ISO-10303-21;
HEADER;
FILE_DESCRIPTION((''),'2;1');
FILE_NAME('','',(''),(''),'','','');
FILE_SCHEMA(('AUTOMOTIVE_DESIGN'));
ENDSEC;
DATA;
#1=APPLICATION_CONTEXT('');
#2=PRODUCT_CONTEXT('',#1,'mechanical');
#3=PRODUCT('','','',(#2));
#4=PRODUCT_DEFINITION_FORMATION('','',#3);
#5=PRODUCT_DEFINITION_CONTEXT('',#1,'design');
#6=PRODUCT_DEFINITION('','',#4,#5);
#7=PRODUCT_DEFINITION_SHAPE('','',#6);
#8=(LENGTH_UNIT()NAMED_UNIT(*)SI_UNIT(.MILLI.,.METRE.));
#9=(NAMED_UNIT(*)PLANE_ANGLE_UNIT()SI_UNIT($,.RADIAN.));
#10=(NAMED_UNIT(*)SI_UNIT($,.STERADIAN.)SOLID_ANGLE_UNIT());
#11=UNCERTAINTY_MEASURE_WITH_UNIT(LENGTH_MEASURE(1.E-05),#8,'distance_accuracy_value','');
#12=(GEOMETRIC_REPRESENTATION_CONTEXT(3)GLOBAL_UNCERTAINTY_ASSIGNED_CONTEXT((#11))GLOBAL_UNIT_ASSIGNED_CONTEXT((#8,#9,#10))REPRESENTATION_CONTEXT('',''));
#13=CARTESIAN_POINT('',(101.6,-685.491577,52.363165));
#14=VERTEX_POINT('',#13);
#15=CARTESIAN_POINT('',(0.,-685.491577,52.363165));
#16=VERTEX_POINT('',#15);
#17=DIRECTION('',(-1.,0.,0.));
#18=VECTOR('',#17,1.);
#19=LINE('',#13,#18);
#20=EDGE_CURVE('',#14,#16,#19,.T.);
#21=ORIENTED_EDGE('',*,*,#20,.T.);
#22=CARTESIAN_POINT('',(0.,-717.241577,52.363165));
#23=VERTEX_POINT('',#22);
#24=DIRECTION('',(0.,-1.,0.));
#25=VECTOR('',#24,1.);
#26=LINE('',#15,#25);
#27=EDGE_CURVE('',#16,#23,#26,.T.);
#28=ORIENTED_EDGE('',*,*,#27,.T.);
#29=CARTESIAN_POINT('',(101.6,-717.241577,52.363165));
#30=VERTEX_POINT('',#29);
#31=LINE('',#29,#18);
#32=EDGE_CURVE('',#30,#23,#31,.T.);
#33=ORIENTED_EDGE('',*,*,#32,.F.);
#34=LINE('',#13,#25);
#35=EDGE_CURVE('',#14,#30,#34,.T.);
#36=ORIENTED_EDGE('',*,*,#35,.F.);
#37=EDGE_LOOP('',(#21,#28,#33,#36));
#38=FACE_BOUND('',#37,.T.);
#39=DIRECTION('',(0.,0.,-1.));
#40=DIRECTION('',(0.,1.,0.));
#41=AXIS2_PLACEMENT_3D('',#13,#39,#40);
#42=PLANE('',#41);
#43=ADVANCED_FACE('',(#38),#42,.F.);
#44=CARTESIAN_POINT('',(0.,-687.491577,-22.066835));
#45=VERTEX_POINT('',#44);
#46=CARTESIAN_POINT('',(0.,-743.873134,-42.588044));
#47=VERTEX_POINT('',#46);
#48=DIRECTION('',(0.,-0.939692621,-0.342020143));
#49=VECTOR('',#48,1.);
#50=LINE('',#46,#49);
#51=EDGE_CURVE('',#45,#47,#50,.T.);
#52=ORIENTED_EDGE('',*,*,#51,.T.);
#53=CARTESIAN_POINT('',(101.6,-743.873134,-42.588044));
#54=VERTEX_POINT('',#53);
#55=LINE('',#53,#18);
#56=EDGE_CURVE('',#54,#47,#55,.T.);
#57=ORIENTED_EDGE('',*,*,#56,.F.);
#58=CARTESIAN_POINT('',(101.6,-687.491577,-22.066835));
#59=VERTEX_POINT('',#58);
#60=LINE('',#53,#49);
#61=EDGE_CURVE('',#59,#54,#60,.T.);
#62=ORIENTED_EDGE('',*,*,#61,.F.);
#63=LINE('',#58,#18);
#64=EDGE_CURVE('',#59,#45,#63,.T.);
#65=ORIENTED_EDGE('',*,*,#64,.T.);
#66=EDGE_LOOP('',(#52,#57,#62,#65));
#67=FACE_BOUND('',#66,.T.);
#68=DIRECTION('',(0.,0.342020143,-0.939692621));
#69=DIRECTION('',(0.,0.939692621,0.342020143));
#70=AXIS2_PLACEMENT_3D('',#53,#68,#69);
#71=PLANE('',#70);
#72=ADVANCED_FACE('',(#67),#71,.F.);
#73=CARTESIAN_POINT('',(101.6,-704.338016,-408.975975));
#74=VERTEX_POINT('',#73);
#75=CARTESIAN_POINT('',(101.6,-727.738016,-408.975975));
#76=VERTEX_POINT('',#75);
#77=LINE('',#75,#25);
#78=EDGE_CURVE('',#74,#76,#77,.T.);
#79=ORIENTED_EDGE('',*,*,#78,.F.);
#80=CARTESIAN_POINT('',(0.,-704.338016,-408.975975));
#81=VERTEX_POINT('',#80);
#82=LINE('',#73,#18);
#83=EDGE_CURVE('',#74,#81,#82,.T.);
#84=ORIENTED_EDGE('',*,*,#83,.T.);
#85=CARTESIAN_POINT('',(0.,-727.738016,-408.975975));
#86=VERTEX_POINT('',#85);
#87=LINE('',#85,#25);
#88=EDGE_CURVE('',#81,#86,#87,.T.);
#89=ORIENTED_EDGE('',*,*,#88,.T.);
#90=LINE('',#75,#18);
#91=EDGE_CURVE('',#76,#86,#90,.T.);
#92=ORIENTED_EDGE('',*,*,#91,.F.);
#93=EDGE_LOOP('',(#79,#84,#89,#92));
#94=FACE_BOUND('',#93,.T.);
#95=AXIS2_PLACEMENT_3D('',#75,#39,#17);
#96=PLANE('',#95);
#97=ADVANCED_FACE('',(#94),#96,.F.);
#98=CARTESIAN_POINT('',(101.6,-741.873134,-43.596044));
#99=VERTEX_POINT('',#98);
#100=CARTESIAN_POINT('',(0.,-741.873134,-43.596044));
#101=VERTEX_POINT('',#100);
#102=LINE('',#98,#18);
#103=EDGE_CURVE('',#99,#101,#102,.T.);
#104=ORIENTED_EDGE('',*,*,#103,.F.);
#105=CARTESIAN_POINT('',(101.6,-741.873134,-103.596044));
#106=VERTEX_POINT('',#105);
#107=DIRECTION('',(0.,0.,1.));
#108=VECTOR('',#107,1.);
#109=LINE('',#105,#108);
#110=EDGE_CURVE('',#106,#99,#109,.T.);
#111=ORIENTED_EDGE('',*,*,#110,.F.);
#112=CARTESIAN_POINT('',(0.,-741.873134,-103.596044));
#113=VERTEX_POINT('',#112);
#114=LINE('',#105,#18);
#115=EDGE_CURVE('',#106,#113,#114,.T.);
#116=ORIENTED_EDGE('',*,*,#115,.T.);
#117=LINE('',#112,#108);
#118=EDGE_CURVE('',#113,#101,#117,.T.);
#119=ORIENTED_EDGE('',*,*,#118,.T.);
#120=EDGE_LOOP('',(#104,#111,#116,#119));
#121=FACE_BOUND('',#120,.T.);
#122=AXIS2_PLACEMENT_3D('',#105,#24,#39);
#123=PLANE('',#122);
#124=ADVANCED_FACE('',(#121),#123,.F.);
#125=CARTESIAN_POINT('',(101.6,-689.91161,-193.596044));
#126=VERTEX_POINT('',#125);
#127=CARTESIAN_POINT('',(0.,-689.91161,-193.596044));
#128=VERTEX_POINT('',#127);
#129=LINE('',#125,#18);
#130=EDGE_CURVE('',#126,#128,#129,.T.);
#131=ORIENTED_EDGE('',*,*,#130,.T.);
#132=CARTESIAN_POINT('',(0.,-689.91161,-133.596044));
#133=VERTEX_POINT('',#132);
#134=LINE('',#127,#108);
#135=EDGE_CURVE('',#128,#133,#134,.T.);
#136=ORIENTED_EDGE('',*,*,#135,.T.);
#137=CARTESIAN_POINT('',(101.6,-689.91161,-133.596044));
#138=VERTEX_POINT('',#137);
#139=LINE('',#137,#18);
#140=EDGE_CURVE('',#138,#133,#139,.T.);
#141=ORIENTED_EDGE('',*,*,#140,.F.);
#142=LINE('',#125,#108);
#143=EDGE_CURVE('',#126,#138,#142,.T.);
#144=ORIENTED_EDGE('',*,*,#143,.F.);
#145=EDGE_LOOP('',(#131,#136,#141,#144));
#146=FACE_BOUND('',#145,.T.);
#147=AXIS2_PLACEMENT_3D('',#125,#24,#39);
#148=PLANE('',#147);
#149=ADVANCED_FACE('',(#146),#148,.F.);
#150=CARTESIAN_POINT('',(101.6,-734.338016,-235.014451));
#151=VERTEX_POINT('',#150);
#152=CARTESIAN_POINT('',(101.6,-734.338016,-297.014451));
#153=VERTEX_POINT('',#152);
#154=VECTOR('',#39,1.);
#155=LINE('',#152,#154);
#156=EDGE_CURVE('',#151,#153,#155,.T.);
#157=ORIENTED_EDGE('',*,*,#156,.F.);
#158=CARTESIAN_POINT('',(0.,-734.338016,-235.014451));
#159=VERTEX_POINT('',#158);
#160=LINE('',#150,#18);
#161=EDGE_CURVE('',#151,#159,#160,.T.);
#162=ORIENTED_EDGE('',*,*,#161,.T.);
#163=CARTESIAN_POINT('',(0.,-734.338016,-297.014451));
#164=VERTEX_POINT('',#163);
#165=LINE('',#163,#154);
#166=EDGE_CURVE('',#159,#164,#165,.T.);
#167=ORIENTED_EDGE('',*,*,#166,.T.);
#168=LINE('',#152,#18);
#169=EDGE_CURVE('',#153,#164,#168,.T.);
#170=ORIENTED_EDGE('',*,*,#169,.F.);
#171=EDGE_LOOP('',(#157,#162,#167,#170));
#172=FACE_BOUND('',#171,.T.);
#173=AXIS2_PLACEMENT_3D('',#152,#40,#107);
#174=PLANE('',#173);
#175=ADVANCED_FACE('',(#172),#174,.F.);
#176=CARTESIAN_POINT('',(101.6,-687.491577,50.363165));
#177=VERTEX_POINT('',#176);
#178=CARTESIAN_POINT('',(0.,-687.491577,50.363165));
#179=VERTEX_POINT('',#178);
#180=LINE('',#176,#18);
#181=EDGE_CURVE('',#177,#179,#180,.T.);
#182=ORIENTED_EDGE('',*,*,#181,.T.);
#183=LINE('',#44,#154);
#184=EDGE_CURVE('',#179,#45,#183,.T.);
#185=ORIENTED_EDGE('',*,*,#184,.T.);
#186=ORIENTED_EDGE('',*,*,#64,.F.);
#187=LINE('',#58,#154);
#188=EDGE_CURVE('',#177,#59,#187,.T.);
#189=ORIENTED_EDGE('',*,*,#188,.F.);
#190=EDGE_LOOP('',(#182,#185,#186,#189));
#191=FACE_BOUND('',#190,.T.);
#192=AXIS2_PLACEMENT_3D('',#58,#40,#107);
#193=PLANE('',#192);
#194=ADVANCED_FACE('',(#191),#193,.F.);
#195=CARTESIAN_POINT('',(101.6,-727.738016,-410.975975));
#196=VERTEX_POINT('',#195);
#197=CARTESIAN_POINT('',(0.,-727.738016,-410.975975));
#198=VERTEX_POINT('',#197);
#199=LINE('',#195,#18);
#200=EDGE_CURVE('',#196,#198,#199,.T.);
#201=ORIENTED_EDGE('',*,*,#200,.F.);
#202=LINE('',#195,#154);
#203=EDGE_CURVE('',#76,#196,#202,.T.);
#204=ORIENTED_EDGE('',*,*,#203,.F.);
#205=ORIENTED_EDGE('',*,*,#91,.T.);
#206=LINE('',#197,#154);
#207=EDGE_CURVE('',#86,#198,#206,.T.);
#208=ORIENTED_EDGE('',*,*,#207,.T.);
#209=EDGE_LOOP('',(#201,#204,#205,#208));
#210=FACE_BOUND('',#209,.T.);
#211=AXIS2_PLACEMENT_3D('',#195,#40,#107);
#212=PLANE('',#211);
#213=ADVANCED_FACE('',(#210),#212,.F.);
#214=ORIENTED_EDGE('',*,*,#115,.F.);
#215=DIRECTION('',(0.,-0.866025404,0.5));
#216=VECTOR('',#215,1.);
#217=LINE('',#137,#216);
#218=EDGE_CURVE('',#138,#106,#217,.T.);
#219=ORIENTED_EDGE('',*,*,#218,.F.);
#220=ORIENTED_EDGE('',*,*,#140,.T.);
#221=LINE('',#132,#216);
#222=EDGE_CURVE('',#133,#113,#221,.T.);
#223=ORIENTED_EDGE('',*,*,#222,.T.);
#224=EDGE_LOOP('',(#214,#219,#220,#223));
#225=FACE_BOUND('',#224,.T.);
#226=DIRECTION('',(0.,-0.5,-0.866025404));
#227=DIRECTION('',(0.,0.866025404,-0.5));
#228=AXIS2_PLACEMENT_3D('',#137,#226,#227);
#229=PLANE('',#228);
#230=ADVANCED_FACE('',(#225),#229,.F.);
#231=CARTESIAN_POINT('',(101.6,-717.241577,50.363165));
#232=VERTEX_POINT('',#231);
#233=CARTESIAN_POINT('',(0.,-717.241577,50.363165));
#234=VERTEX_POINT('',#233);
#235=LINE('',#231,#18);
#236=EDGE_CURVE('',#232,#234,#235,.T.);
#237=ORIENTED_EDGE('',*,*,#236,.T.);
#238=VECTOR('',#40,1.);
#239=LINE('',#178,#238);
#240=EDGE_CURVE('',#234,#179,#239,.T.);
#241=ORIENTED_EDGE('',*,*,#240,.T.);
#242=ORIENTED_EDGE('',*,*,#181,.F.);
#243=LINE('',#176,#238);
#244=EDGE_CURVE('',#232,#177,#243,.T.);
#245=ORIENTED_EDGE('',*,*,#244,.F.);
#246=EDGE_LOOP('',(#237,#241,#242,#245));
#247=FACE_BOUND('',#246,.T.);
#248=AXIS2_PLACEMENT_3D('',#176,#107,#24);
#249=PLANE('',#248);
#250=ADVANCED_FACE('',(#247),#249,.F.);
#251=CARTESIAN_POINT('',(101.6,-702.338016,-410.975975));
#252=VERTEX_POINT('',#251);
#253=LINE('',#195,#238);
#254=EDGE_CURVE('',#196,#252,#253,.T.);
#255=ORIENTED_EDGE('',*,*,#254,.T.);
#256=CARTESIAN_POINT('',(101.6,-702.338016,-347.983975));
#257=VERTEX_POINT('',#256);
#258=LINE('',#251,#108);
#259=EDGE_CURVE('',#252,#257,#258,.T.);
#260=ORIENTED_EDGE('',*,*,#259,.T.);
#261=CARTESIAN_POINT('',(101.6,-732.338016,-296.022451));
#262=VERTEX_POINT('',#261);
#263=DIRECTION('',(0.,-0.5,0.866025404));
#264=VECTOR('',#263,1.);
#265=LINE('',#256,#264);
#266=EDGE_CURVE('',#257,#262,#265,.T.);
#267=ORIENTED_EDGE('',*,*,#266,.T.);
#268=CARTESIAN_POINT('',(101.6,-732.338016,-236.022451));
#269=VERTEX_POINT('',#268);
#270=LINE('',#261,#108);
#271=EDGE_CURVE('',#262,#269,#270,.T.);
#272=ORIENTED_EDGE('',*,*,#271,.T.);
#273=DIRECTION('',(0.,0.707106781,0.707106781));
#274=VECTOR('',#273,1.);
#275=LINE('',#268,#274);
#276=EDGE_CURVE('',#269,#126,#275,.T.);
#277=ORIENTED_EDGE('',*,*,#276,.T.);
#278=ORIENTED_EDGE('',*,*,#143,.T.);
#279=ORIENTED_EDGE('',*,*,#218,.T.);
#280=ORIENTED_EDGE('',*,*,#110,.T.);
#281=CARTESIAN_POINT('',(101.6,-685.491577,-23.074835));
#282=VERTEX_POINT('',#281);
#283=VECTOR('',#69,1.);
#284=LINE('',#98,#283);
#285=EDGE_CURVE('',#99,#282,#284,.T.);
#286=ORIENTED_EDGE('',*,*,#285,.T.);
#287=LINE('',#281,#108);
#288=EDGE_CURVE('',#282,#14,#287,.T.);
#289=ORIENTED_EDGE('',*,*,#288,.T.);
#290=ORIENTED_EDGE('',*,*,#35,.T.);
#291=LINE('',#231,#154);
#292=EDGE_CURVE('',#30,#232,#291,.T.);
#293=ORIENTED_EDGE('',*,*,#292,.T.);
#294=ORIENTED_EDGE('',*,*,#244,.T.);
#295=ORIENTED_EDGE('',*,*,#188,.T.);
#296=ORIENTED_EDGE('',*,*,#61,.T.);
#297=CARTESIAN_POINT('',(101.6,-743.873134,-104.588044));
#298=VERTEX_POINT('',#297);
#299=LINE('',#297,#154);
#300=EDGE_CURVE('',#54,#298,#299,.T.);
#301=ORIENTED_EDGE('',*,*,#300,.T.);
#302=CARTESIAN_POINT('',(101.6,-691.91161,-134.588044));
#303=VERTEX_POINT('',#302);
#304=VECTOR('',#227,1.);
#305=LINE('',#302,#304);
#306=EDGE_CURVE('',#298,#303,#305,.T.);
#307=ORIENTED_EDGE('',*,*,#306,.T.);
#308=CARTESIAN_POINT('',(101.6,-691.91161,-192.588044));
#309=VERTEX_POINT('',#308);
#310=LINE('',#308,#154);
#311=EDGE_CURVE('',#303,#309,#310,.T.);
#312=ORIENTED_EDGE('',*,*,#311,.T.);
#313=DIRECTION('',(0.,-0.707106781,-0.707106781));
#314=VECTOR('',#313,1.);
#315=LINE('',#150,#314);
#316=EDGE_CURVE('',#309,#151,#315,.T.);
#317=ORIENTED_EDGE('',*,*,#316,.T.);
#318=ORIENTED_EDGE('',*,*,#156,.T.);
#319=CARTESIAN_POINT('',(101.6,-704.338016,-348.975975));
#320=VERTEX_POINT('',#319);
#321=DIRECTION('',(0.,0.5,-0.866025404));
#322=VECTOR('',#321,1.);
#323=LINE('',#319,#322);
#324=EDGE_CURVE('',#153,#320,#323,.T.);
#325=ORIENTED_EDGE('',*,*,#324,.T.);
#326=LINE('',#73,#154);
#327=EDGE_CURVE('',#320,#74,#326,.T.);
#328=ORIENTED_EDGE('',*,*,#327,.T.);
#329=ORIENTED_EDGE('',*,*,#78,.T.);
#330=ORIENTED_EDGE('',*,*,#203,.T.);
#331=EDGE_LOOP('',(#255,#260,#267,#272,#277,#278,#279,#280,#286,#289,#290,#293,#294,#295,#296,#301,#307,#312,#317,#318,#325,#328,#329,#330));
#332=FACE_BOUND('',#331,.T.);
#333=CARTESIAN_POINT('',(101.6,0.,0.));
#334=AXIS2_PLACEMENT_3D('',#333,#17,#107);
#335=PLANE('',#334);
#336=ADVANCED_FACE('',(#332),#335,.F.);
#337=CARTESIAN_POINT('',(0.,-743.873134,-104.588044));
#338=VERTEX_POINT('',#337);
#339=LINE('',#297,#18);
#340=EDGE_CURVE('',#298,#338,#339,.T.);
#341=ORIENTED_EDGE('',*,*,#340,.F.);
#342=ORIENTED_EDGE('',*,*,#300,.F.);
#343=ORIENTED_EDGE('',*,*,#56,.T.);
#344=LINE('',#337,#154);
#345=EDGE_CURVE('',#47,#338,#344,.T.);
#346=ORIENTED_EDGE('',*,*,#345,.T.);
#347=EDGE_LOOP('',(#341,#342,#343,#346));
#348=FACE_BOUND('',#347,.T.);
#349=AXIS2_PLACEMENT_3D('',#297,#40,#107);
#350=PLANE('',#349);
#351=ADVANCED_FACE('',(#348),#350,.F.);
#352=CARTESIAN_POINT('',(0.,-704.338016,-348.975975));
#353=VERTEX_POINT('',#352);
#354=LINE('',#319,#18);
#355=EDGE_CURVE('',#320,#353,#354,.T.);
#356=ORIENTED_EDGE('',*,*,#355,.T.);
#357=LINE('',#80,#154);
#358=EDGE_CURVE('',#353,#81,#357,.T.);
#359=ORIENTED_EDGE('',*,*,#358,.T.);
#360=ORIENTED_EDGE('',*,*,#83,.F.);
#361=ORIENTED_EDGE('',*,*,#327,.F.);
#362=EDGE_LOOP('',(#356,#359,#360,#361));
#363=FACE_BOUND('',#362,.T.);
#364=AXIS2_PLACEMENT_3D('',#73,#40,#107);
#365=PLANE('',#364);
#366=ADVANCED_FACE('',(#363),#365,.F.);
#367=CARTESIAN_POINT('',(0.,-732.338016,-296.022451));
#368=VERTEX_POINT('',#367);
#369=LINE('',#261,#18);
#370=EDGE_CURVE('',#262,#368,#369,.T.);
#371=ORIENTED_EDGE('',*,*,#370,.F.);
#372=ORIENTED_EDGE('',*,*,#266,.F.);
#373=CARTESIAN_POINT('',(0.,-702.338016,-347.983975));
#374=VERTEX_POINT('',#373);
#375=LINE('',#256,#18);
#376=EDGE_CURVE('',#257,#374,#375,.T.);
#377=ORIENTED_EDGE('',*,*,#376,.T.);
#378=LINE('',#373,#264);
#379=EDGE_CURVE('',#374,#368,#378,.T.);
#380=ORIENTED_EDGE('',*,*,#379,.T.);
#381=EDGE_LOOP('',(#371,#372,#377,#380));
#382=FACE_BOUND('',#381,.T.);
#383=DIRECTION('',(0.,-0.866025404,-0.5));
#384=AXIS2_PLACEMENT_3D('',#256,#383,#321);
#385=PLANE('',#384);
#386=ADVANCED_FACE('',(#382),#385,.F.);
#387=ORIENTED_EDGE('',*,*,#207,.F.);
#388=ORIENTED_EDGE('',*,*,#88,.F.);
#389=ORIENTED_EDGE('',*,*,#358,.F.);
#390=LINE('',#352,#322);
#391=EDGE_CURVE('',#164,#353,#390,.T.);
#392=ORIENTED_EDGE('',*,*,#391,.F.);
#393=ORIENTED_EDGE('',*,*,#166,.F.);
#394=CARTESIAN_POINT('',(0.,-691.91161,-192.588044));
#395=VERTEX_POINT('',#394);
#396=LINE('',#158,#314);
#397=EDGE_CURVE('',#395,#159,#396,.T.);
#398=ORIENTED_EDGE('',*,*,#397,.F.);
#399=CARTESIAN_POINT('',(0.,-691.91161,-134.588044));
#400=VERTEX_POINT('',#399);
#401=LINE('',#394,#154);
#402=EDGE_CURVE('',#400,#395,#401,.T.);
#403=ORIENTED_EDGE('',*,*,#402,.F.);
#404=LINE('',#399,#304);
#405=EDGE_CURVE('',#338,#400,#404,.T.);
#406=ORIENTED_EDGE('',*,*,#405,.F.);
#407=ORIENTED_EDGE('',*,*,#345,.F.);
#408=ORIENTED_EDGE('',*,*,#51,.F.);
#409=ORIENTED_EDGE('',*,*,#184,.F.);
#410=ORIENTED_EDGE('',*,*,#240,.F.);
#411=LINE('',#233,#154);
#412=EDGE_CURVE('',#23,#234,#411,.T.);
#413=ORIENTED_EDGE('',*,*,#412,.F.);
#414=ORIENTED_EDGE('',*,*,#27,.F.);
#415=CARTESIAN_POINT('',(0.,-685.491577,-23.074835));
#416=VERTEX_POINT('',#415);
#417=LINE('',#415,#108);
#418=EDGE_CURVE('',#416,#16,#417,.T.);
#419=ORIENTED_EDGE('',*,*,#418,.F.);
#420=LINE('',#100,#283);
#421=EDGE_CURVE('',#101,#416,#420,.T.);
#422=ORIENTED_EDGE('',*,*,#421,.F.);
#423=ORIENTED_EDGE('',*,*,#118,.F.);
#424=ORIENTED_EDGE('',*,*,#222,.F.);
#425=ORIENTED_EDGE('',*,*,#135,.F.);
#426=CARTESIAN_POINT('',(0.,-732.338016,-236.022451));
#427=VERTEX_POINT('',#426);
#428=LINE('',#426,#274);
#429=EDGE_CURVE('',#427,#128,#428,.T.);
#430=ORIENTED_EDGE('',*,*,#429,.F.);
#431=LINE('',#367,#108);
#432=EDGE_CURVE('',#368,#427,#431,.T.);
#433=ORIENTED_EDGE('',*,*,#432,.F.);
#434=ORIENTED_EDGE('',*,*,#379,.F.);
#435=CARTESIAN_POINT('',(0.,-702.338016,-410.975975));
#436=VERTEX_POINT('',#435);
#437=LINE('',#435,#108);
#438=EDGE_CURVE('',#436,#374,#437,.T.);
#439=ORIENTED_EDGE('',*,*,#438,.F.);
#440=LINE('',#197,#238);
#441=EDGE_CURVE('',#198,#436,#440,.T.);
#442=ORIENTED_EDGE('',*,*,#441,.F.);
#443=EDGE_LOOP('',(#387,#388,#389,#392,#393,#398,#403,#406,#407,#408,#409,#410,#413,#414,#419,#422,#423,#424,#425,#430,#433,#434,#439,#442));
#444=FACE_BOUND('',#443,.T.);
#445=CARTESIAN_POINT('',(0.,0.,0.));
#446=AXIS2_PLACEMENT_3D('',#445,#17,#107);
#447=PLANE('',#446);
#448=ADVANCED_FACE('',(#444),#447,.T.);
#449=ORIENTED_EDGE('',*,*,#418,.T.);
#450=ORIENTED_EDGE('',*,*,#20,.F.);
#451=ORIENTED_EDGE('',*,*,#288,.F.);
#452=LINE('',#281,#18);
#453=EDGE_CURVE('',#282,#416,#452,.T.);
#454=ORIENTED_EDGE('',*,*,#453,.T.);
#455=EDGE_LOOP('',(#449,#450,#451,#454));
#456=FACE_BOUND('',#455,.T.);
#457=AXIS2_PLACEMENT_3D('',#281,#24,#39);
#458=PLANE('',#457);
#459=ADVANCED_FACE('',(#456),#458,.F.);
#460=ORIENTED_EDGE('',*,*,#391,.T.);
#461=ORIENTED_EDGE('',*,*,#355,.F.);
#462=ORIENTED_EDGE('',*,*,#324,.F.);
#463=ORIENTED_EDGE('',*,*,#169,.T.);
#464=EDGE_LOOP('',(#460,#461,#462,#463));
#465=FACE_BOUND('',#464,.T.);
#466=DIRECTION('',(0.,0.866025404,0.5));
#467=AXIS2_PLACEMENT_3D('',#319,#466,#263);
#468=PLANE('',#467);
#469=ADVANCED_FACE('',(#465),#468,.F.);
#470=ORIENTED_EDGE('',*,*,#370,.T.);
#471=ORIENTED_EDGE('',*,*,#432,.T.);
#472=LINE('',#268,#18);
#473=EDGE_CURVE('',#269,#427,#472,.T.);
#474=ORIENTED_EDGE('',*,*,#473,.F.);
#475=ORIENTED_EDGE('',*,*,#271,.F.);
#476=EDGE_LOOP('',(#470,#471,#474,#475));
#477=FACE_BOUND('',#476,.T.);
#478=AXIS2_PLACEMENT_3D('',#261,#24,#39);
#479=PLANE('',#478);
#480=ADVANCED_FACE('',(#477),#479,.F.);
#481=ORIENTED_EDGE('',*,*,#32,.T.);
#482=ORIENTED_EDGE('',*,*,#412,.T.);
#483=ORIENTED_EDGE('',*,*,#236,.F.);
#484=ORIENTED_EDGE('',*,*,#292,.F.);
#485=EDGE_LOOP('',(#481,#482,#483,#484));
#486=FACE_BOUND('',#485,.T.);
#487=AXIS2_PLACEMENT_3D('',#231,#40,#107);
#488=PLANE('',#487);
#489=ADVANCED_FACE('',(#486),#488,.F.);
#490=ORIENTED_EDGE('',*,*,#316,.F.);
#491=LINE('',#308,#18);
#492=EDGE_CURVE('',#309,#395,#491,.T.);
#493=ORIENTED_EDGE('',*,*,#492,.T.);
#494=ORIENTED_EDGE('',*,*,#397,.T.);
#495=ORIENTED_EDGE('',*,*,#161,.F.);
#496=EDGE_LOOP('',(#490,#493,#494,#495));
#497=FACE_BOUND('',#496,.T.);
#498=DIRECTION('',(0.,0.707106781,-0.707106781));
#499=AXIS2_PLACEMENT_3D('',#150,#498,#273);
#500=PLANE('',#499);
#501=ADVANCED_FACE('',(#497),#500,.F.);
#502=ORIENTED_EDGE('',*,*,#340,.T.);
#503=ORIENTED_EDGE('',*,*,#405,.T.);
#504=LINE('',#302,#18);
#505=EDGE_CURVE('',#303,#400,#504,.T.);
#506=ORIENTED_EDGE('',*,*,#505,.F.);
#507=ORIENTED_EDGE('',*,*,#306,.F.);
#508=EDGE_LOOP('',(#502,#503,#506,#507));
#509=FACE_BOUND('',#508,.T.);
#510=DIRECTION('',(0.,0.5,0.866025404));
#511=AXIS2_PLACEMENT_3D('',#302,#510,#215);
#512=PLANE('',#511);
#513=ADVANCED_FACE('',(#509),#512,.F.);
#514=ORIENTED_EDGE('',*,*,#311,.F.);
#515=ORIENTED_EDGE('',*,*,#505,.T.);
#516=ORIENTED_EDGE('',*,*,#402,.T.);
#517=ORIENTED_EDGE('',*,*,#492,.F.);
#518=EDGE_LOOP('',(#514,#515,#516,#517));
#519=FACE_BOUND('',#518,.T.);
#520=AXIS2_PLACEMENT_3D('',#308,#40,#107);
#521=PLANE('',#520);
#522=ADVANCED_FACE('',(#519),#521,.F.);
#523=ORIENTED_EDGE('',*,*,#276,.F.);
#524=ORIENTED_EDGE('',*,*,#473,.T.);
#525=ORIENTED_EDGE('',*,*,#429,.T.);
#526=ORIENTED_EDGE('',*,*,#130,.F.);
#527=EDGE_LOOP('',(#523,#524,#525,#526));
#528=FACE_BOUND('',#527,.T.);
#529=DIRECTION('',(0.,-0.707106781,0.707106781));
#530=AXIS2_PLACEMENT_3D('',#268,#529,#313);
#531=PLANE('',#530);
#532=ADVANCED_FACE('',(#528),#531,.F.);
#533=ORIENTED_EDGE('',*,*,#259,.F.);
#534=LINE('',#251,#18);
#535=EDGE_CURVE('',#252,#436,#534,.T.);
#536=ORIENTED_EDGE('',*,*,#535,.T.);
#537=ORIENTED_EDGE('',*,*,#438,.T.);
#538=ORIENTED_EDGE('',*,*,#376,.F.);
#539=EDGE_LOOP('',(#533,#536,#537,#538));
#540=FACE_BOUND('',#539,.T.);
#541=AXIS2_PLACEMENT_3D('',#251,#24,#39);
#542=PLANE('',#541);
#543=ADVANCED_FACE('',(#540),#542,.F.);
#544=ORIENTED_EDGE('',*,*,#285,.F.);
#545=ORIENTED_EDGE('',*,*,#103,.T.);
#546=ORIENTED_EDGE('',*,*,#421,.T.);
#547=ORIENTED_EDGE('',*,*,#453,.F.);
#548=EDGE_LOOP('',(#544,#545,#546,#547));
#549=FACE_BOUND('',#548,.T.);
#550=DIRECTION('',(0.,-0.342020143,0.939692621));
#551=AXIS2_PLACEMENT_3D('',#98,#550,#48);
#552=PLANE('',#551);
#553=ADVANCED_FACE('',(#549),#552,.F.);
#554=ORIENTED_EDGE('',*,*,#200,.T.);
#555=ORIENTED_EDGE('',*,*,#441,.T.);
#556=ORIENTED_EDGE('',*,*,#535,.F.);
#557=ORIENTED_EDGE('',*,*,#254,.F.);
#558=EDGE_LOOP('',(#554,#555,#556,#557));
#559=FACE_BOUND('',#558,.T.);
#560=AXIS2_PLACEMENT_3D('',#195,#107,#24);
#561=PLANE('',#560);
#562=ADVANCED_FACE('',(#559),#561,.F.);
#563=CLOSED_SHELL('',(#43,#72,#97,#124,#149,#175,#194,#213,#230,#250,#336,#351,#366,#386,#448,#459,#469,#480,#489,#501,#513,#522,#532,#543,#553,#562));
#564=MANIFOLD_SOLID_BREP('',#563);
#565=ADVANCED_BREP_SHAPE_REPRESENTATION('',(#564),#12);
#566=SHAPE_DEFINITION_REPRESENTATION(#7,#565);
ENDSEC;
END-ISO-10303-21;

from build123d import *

# Parameters (mm, degrees)
BOSS_EXTRUDE1_DEPTH = 101.6


with BuildPart() as part:
    # Sketch1 → Boss-Extrude1 (new body)
    with BuildSketch(Plane(origin=(0, 0, 0), x_dir=(0, 0, -1), z_dir=(1, 0, 0))):
        Polygon((410.975974775, -727.738016425), (410.975974775, -702.338016425), (347.983974775, -702.338016425), (296.022450548, -732.338016425), (236.022450548, -732.338016425), (193.596043677, -689.911609554), (133.596043677, -689.911609554), (103.596043677, -741.873133781), (43.596043677, -741.873133781), (23.074835078, -685.491576534), (-52.363164922, -685.491576534), (-52.363164922, -717.241576534), (-50.363164922, -717.241576534), (-50.363164922, -687.491576534), (22.066835078, -687.491576534), (42.588043677, -743.873133781), (104.588043677, -743.873133781), (134.588043677, -691.911609554), (192.588043677, -691.911609554), (235.014450548, -734.338016425), (297.014450548, -734.338016425), (348.975974775, -704.338016425), (408.975974775, -704.338016425), (408.975974775, -727.738016425), align=None)
    extrude(amount=BOSS_EXTRUDE1_DEPTH)


solid = part.part
